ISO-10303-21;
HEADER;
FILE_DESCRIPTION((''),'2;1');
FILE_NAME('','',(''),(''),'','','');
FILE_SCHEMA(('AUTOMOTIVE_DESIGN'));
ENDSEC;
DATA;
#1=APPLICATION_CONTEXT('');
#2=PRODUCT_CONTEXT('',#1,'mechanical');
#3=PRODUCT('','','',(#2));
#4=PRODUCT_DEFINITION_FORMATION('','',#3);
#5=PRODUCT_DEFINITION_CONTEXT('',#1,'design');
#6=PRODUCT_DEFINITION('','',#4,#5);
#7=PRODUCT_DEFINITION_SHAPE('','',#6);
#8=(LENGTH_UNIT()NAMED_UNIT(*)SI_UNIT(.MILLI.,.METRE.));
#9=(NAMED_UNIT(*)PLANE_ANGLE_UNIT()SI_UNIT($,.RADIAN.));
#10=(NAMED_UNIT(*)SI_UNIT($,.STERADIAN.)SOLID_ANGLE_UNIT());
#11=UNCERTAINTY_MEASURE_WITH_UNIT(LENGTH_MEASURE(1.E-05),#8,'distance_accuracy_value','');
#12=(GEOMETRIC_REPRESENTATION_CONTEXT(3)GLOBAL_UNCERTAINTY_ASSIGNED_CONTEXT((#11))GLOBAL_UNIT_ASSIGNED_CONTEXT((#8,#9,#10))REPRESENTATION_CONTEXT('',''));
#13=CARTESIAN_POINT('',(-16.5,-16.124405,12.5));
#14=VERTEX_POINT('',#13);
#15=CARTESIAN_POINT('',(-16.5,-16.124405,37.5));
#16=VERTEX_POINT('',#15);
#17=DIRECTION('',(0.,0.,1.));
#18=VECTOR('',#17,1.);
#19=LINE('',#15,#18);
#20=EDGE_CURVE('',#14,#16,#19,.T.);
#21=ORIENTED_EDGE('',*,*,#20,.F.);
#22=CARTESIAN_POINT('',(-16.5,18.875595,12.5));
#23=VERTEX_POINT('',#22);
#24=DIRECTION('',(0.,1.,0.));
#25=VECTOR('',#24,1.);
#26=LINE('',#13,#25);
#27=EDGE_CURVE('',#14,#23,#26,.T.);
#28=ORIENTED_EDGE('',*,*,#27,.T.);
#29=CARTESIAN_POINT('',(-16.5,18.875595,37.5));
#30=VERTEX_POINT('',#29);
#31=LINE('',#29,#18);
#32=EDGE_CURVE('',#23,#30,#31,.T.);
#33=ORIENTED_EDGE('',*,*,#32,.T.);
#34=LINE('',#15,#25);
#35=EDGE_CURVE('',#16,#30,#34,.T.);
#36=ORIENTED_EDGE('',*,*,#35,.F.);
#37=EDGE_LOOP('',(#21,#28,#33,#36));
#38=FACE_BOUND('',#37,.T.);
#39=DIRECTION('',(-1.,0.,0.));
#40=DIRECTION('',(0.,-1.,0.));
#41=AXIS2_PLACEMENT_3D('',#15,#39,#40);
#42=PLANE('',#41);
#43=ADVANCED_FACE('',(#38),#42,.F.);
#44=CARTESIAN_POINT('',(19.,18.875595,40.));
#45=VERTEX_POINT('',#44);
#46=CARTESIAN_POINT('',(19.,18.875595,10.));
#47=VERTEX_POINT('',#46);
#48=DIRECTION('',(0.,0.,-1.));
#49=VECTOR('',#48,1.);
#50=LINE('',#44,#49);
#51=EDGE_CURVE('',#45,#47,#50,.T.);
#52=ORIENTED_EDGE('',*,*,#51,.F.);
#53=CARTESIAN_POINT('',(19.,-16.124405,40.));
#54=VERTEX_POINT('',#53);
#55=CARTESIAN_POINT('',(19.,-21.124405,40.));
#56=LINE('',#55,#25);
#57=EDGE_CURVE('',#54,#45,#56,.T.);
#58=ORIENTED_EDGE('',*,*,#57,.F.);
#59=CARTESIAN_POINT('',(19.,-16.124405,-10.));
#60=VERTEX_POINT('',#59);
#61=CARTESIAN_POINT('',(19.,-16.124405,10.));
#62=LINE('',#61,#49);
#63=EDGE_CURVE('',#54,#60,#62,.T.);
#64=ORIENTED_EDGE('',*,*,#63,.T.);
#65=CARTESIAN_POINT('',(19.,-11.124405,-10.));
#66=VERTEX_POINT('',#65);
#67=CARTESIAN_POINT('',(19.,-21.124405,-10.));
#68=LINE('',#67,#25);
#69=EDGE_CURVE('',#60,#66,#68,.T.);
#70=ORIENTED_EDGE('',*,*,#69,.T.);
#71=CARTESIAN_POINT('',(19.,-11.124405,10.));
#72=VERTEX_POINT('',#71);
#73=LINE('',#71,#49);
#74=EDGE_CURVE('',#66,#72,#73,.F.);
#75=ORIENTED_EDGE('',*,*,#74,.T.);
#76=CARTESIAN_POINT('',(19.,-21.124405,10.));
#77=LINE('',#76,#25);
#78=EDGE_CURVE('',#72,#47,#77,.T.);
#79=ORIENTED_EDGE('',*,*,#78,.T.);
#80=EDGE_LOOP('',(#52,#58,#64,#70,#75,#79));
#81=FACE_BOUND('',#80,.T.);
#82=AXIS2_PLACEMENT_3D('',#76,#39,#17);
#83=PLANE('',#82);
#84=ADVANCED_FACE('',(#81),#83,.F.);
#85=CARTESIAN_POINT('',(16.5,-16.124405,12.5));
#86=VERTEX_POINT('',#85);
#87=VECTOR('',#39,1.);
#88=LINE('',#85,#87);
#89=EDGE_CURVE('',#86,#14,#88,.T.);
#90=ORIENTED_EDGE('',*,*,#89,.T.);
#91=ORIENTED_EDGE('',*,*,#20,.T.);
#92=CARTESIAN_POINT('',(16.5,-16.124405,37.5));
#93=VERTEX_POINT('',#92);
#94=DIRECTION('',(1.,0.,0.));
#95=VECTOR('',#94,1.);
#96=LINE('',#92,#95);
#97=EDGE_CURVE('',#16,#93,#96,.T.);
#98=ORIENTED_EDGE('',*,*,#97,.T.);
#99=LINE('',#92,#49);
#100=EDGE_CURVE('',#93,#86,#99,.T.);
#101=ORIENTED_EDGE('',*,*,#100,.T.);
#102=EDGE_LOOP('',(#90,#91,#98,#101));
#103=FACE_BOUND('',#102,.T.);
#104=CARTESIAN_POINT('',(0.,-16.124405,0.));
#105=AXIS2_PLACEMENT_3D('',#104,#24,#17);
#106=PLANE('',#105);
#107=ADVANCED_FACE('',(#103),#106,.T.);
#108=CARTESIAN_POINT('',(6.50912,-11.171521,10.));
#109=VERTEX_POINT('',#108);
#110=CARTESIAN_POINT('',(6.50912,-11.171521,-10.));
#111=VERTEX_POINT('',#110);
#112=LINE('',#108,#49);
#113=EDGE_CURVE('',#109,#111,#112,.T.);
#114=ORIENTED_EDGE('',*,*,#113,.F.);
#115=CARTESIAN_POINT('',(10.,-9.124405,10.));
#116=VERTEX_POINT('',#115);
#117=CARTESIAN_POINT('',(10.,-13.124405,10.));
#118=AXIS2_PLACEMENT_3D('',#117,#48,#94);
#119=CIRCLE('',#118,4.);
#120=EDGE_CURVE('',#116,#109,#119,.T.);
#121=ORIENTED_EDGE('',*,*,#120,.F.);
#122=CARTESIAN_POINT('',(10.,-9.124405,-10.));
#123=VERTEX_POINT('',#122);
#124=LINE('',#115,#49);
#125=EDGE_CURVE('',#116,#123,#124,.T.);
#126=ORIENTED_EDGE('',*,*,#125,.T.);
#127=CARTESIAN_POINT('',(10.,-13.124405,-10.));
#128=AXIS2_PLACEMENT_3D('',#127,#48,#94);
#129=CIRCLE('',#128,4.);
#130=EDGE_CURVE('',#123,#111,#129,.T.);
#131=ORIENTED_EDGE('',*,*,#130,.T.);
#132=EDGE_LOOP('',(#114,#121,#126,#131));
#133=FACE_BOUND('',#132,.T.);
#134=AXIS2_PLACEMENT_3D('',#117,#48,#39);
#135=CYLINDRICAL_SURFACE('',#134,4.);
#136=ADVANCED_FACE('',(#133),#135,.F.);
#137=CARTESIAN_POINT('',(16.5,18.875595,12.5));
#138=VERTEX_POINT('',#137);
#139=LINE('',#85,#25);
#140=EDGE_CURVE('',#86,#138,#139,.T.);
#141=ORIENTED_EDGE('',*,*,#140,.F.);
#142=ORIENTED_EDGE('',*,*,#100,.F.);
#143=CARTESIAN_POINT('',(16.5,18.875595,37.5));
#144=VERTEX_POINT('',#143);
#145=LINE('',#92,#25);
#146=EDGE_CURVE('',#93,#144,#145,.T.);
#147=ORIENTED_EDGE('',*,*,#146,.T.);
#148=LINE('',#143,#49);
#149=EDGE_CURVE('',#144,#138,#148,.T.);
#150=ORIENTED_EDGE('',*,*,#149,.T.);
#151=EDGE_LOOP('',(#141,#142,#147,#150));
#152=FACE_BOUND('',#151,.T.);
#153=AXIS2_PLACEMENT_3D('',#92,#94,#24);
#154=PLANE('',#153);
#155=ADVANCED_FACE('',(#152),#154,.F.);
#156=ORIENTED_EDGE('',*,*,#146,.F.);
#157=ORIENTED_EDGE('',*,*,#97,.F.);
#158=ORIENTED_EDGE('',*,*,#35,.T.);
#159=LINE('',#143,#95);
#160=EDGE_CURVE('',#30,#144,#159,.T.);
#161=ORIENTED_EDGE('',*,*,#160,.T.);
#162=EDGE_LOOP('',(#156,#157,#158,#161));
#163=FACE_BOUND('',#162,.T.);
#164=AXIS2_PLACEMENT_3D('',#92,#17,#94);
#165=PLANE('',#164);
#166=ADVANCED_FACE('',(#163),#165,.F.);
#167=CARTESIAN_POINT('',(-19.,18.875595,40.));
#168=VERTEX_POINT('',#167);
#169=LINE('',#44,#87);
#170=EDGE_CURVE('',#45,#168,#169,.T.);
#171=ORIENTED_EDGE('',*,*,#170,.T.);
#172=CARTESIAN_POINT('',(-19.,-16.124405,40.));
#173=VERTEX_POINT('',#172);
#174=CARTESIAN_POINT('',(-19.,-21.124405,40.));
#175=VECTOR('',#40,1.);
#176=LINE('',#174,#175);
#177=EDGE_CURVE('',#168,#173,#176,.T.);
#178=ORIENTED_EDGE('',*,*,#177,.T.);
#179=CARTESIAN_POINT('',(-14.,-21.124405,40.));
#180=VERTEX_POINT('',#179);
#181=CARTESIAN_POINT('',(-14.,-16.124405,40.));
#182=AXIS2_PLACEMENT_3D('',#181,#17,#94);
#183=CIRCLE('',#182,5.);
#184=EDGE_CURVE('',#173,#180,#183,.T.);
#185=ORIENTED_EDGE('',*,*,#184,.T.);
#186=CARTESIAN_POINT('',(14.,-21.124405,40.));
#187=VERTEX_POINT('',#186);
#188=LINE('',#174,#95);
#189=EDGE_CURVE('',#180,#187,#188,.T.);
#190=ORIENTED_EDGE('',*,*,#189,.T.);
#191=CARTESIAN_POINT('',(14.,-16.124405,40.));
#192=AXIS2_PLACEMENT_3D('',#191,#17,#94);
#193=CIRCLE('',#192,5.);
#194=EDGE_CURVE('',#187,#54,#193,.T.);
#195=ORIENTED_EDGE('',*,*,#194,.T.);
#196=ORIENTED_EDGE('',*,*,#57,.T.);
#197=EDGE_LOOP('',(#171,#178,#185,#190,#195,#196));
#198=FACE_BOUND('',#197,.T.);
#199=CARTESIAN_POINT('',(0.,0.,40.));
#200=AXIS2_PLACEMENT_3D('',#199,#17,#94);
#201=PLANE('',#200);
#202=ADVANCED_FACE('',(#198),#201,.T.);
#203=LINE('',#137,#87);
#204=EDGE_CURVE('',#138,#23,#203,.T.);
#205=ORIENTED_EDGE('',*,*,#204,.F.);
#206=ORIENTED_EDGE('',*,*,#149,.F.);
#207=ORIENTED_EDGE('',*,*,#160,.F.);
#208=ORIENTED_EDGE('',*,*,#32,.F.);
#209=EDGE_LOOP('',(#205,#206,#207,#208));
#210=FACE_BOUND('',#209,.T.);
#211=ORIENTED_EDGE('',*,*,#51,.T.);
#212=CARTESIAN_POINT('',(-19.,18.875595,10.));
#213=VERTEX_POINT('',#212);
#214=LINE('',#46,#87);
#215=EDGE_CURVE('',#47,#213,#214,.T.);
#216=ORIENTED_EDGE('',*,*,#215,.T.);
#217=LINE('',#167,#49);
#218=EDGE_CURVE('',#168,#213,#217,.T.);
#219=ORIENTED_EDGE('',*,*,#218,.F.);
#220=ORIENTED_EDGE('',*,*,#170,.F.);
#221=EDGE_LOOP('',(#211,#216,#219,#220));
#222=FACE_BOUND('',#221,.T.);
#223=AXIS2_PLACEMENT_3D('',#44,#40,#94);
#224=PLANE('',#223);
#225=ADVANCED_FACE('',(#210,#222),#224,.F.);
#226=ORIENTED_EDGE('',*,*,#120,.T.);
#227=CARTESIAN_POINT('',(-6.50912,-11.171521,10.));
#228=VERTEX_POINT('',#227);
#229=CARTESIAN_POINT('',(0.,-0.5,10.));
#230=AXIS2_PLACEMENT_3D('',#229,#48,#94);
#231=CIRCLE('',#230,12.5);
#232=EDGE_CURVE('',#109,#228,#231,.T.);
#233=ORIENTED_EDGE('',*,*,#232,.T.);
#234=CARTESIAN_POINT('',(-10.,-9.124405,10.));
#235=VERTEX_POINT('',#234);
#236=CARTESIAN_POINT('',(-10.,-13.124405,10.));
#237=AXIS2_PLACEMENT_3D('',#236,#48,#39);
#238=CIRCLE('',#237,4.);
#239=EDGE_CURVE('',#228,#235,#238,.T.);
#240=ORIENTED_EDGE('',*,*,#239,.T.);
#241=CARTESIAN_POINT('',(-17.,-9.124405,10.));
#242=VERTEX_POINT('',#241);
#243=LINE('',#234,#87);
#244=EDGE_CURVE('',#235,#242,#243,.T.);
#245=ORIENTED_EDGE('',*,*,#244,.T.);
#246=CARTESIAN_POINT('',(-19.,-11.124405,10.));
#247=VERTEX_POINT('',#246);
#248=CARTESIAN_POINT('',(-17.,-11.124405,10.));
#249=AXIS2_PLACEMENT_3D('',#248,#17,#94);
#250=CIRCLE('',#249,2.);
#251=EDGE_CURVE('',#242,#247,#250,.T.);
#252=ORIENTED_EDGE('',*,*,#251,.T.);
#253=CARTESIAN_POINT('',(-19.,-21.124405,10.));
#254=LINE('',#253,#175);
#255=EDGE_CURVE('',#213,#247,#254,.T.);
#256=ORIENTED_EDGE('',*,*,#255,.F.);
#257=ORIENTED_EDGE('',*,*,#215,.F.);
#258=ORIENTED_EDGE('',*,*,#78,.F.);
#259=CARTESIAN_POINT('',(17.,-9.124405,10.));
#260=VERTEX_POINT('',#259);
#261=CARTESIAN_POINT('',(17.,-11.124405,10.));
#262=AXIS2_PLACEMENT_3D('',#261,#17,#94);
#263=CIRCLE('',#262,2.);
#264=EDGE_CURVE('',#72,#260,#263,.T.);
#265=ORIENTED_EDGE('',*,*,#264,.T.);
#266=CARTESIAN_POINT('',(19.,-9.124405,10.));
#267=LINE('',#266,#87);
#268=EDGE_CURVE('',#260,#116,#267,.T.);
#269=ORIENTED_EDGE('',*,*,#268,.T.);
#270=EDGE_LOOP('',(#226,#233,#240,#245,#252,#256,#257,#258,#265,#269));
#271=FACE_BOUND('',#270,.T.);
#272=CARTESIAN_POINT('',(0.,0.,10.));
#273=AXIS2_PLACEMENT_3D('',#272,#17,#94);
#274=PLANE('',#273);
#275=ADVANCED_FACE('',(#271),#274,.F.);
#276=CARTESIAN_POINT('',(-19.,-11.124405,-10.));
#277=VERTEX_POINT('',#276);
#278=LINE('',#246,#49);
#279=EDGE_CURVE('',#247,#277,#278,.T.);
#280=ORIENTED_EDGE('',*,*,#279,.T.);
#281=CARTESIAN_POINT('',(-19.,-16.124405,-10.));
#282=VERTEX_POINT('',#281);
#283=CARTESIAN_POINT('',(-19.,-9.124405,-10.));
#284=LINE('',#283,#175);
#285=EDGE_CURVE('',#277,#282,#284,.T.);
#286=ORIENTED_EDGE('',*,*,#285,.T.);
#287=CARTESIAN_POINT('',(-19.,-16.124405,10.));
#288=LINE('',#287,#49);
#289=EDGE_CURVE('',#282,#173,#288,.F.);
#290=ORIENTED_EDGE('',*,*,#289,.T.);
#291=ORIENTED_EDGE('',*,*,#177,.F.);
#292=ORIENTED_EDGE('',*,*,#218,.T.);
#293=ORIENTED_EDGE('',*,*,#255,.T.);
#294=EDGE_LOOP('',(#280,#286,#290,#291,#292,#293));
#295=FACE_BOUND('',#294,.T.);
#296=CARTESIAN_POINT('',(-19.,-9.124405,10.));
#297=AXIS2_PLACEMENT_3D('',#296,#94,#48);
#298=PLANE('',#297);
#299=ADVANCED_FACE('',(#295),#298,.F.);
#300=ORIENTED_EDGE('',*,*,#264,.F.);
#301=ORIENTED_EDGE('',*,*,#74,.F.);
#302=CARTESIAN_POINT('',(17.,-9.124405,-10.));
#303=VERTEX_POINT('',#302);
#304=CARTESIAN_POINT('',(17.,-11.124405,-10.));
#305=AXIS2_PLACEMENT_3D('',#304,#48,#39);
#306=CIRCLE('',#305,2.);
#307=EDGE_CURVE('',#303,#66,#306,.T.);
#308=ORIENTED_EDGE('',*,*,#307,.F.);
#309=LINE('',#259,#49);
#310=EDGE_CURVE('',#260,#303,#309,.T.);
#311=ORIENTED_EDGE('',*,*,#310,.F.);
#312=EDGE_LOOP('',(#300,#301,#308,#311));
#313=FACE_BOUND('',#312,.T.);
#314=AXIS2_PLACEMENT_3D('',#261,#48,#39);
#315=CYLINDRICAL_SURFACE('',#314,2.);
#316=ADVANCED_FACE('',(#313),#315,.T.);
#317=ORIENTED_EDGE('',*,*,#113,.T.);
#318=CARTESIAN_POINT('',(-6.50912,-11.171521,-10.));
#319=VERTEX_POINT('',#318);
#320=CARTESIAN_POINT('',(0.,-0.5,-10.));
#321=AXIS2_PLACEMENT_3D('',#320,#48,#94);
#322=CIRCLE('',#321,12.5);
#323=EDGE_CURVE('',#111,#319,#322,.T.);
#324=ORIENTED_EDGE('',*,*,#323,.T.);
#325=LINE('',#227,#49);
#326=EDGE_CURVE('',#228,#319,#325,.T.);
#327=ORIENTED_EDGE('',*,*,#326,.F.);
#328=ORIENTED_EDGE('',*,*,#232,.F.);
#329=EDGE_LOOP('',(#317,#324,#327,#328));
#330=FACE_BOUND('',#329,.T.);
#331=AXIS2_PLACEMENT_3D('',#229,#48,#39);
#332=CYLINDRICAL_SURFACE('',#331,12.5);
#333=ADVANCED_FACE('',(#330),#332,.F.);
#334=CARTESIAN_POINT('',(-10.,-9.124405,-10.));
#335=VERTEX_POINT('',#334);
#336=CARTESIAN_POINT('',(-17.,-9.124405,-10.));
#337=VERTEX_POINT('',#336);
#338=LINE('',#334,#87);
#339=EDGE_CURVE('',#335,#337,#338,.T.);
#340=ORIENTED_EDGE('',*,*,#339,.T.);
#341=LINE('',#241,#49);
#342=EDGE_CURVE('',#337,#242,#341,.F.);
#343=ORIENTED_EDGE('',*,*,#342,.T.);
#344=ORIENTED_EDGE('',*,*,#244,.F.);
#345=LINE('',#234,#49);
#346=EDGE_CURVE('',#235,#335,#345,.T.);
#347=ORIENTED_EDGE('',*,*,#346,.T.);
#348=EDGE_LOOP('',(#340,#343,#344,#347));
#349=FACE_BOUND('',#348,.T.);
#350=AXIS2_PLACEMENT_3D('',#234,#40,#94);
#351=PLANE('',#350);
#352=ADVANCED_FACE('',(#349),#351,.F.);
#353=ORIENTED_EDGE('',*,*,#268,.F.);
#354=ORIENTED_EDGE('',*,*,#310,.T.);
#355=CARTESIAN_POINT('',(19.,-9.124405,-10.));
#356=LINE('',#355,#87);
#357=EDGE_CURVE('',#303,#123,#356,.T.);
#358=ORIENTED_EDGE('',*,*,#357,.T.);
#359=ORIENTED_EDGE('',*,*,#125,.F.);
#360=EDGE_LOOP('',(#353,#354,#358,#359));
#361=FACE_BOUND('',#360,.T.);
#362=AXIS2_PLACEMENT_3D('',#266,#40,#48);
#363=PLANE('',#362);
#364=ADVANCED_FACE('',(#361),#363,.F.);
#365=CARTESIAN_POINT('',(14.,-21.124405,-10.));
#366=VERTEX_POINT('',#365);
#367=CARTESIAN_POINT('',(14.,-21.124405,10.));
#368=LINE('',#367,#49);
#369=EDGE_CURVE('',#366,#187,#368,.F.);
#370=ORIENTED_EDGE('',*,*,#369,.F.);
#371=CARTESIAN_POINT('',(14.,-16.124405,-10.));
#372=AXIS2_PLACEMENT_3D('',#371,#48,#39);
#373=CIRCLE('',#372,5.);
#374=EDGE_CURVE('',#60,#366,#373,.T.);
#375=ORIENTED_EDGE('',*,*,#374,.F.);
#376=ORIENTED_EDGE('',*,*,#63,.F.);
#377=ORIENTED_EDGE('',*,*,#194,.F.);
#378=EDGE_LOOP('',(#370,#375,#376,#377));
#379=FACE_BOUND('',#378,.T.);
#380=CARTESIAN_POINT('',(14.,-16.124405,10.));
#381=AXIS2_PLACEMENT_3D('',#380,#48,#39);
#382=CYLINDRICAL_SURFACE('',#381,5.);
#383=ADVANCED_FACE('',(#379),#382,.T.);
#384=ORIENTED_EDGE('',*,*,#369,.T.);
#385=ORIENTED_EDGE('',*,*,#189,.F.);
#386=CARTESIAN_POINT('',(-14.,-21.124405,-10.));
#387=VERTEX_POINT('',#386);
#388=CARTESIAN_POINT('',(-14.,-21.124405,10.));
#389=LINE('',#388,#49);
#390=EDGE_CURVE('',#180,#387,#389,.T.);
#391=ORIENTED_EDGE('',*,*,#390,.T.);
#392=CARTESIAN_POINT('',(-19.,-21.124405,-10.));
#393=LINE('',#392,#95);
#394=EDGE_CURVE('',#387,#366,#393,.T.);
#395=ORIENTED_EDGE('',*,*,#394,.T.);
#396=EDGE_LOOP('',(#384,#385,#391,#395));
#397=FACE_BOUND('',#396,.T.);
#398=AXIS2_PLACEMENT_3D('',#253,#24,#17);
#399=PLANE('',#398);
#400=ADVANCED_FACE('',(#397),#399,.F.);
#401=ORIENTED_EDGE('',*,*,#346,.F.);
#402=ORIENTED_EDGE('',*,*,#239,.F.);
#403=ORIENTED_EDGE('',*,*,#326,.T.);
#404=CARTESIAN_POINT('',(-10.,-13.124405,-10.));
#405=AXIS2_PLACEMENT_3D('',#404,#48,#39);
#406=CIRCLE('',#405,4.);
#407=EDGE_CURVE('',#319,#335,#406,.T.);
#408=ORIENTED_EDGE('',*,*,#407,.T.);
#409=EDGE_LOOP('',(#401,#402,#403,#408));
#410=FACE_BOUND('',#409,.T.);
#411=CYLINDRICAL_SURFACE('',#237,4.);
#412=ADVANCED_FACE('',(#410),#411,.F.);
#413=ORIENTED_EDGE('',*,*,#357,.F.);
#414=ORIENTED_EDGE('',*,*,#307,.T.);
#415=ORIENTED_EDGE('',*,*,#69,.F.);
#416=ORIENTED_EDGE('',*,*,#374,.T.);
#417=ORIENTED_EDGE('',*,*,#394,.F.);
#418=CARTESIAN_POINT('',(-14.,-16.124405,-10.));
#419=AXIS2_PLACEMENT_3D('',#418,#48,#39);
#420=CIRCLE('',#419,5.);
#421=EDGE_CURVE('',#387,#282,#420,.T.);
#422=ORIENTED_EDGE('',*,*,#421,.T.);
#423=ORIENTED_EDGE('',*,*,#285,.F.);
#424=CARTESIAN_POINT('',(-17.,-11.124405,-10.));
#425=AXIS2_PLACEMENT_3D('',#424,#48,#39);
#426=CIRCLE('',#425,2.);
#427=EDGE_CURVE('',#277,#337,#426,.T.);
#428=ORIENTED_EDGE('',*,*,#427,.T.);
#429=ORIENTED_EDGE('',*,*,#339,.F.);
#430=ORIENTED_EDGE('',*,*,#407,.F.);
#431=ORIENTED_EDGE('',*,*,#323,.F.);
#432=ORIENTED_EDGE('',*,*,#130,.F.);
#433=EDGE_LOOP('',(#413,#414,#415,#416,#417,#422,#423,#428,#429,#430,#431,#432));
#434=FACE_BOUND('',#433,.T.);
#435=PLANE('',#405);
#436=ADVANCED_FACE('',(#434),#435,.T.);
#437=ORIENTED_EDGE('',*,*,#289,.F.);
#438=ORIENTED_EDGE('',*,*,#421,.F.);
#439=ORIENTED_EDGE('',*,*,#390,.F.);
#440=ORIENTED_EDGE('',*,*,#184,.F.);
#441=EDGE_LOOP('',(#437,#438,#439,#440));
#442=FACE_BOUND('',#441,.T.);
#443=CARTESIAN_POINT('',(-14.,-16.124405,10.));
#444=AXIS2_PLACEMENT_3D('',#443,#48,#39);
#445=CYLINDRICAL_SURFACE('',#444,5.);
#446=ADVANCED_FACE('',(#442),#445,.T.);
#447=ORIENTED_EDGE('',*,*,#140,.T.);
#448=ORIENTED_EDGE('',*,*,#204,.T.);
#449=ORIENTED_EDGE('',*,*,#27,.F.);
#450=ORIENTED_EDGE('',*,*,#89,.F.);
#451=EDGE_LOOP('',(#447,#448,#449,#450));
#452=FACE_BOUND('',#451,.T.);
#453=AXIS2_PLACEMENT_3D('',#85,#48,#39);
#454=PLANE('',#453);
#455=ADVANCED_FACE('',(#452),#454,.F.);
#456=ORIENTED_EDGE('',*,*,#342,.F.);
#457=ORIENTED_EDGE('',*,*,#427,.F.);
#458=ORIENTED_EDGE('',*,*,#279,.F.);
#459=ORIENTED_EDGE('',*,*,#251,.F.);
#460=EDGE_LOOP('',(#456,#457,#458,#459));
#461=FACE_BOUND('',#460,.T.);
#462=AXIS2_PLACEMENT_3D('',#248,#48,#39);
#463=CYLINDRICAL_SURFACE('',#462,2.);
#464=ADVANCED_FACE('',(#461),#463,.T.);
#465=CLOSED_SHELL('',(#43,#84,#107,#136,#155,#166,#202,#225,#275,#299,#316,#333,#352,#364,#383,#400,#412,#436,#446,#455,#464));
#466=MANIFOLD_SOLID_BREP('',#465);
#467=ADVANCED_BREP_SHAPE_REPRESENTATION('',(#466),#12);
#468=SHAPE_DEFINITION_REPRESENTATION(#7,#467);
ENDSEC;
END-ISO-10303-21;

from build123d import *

# Parameters (mm, degrees)
BOSS_EXTRUDE1_DEPTH = 10
SKETCH2_W           = 38
SKETCH2_H           = 40
BOSS_EXTRUDE2_DEPTH = 30
FILLET1_R           = 5
FILLET2_R           = 2
SKETCH4_W           = 33
SKETCH4_H           = 25
CUT_EXTRUDE1_DEPTH  = 35


with BuildPart() as part:
    # Sketch1 → Boss-Extrude1 (new, symmetric)
    with BuildSketch(Plane.XY):
        with BuildLine():
            Line((-10, -9.124404748), (-19, -9.124404748))
            Line((-19, -9.124404748), (-19, -21.124404748))
            Line((-19, -21.124404748), (19, -21.124404748))
            Line((19, -21.124404748), (19, -9.124404748))
            Line((19, -9.124404748), (10, -9.124404748))
            ThreePointArc((10, -9.124404748), (12.023420987, -16.574878268), (6.509119733, -11.171520993))
            ThreePointArc((6.509119733, -11.171520993), (0, -13), (-6.509119733, -11.171520993))
            ThreePointArc((-6.509119733, -11.171520993), (-12.023420987, -16.574878268), (-10, -9.124404748))
        make_face()
    extrude(amount=BOSS_EXTRUDE1_DEPTH, both=True)

    # Sketch2 → Boss-Extrude2 (add)
    with BuildSketch(Plane.XY.offset(10)):
        with Locations((0, -1.124404748)):
            Rectangle(SKETCH2_W, SKETCH2_H)
    extrude(amount=BOSS_EXTRUDE2_DEPTH)

    # Fillet1
    fillet1_edges = [part.edges().sort_by_distance(p)[0] for p in [
        (19, -21.124404748, 15),
        (-19, -21.124404748, 15),
    ]]
    fillet(fillet1_edges, radius=FILLET1_R)

    # Fillet2
    fillet2_edges = [part.edges().sort_by_distance(p)[0] for p in [
        (19, -9.124404748, 0),
        (-19, -9.124404748, 0),
    ]]
    fillet(fillet2_edges, radius=FILLET2_R)

    # Sketch4 → Cut-Extrude1 (cut)
    with BuildSketch(Plane(origin=(0, 18.875595252, 0), x_dir=(1, 0, 0), z_dir=(0, 1, 0))):
        with Locations((0, -25)):
            Rectangle(SKETCH4_W, SKETCH4_H)
    extrude(amount=-CUT_EXTRUDE1_DEPTH, mode=Mode.SUBTRACT)


solid = part.part
